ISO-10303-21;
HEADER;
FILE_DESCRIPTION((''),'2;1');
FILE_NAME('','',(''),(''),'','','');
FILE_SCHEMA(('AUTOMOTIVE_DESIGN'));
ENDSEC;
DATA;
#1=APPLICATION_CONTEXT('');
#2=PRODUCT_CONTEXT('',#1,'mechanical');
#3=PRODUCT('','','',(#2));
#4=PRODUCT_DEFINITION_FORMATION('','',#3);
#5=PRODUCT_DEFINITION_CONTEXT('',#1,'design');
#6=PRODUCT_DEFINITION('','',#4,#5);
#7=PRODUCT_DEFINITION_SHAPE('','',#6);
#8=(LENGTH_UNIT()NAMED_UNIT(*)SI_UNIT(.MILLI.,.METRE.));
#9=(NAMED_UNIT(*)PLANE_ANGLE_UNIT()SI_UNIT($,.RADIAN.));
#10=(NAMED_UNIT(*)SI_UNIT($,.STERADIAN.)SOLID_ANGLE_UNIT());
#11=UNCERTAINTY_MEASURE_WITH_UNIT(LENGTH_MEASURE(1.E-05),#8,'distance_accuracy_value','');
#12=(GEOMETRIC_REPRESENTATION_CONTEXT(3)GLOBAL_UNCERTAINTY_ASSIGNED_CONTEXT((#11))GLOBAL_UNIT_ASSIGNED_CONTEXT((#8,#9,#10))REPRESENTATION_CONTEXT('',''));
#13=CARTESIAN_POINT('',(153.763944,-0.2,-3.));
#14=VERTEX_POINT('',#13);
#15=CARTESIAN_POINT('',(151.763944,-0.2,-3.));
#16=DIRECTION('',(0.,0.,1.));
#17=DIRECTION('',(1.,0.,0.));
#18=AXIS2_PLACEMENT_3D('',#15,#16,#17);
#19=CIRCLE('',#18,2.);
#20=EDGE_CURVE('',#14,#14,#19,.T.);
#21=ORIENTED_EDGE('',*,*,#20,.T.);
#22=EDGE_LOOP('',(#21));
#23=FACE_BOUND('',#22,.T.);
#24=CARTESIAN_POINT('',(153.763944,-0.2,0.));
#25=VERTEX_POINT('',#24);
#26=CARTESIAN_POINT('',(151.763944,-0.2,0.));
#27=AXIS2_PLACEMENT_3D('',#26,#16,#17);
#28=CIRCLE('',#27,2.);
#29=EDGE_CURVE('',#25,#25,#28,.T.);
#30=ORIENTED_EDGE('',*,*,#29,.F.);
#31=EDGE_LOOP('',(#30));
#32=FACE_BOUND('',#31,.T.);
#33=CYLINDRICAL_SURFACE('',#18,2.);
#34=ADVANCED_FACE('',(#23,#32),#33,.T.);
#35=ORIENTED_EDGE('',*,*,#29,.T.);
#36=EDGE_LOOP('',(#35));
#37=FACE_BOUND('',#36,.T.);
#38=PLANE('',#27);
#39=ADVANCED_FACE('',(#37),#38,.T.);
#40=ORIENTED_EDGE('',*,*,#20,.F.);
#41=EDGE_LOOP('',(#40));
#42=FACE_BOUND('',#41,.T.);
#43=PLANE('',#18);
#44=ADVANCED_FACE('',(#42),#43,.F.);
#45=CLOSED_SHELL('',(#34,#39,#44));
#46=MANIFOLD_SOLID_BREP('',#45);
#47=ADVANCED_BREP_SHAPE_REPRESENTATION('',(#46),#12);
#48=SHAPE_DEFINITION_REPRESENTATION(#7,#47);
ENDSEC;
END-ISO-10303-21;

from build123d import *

# Parameters (mm, degrees)
SKETCH1_R           = 2
BOSS_EXTRUDE1_DEPTH = 3


with BuildPart() as part:
    # Sketch1 → Boss-Extrude1 (new body)
    with BuildSketch(Plane.XY):
        with Locations((151.763944171, -0.2)):
            Circle(SKETCH1_R)
    extrude(amount=-BOSS_EXTRUDE1_DEPTH)


solid = part.part
